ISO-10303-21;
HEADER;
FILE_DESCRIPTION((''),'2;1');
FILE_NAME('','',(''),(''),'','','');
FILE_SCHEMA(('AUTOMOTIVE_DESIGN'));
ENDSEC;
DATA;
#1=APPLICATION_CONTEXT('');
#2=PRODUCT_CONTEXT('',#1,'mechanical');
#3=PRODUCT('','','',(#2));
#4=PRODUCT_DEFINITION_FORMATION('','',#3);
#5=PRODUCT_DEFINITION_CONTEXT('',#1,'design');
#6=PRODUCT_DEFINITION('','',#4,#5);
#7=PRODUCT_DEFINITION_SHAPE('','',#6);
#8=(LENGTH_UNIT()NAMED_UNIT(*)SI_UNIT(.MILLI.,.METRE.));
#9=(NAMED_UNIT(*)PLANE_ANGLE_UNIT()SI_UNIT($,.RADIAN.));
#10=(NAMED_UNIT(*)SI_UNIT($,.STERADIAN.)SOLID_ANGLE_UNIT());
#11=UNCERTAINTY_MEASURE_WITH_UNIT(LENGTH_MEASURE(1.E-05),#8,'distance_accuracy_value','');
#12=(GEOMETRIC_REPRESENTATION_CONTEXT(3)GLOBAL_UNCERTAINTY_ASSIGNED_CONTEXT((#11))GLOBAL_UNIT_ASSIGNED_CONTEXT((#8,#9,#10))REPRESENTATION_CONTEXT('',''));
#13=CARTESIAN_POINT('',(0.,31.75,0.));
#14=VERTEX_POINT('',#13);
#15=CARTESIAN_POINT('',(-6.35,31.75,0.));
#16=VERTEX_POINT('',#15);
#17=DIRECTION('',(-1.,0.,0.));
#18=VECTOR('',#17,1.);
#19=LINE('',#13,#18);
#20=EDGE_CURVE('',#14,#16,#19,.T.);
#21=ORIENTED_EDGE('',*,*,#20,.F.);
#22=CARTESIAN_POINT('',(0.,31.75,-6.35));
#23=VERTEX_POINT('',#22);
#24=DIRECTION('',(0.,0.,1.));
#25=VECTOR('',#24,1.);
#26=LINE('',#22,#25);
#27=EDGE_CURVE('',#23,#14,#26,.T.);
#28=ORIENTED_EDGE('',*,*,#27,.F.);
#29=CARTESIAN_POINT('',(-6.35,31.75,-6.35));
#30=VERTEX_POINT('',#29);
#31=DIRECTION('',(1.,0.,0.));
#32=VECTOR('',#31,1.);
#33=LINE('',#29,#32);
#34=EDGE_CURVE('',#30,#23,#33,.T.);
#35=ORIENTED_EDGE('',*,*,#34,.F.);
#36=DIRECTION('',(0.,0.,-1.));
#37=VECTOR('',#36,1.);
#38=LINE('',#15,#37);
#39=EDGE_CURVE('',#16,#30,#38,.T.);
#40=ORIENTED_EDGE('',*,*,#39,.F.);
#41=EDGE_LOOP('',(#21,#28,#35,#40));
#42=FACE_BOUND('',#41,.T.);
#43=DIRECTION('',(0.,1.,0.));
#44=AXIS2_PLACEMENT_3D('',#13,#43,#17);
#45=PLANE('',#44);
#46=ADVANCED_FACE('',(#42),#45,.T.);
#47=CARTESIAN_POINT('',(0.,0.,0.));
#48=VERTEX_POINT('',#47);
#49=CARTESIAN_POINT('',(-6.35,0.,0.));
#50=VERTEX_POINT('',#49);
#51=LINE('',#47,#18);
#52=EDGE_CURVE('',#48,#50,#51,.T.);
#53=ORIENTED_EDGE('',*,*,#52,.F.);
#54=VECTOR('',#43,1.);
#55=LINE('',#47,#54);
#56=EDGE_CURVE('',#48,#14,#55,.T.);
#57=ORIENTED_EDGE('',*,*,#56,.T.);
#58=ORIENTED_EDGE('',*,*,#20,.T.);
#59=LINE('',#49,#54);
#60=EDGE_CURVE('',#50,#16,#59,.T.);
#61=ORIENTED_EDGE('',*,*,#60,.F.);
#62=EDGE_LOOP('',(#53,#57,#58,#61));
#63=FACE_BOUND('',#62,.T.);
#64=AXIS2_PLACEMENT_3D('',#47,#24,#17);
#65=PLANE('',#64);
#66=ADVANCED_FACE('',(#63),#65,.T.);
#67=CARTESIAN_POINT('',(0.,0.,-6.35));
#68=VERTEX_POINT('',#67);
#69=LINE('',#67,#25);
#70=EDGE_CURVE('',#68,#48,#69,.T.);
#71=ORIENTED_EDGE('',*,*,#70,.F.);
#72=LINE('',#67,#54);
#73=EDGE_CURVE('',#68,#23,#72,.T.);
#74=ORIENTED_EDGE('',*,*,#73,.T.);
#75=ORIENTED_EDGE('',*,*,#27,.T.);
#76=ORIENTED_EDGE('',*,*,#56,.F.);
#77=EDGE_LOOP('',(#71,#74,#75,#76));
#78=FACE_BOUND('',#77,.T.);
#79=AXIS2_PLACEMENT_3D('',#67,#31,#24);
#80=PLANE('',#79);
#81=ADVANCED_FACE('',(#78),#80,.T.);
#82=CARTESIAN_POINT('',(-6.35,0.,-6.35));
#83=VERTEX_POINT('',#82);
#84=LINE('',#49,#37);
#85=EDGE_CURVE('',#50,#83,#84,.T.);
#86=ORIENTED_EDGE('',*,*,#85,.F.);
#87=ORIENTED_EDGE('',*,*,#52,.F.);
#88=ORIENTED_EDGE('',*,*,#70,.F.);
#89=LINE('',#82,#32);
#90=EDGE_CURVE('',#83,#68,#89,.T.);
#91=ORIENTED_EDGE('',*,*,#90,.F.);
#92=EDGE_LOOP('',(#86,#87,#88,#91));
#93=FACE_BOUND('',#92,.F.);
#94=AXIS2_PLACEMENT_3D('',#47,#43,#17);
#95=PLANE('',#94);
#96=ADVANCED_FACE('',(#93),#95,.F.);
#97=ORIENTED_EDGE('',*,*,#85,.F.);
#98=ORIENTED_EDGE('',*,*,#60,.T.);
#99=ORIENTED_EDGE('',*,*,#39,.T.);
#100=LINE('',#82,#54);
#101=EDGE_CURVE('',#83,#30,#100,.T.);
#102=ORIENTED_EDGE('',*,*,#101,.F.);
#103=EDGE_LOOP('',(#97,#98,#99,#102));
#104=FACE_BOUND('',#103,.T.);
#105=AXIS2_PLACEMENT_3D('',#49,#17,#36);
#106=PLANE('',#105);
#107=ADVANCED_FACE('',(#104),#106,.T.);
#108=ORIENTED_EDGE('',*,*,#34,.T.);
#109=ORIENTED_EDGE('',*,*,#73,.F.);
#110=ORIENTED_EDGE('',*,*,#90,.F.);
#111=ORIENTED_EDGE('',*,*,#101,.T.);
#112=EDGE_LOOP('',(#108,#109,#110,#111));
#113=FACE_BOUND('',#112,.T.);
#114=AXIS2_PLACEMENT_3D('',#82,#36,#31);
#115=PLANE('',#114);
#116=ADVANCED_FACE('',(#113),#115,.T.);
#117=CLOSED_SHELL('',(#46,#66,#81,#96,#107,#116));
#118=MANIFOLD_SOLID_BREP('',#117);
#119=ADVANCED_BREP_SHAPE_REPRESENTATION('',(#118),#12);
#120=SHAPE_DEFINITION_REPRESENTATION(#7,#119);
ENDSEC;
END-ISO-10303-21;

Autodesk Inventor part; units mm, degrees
ref_plane "YZ Plane" through (0, 0, 0) normal (1, 0, 0) x (0, 1, 0)
ref_plane "XZ Plane" through (0, 0, 0) normal (0, 1, 0) x (-1, 0, 0)
ref_plane "XY Plane" through (0, 0, 0) normal (0, 0, 1) x (1, 0, 0)
sketch "Sketch1" plane through (0, 0, 0) normal (0, 1, 0) x (-1, 0, 0)
  line L0 (0, 0) -> (6.35, 0)
  line L1 (6.35, 0) -> (6.35, -6.35)
  line L2 (6.35, -6.35) -> (0, -6.35)
  line L3 (0, -6.35) -> (0, 0)
  dimension "d0" = 6.35
  dimension "d1" = 6.35
extrude "Extrusion1" add sketch "Sketch1" along normal blind 31.75
properties part number "magSlotPlugs02" material "Wood (Maple)"
